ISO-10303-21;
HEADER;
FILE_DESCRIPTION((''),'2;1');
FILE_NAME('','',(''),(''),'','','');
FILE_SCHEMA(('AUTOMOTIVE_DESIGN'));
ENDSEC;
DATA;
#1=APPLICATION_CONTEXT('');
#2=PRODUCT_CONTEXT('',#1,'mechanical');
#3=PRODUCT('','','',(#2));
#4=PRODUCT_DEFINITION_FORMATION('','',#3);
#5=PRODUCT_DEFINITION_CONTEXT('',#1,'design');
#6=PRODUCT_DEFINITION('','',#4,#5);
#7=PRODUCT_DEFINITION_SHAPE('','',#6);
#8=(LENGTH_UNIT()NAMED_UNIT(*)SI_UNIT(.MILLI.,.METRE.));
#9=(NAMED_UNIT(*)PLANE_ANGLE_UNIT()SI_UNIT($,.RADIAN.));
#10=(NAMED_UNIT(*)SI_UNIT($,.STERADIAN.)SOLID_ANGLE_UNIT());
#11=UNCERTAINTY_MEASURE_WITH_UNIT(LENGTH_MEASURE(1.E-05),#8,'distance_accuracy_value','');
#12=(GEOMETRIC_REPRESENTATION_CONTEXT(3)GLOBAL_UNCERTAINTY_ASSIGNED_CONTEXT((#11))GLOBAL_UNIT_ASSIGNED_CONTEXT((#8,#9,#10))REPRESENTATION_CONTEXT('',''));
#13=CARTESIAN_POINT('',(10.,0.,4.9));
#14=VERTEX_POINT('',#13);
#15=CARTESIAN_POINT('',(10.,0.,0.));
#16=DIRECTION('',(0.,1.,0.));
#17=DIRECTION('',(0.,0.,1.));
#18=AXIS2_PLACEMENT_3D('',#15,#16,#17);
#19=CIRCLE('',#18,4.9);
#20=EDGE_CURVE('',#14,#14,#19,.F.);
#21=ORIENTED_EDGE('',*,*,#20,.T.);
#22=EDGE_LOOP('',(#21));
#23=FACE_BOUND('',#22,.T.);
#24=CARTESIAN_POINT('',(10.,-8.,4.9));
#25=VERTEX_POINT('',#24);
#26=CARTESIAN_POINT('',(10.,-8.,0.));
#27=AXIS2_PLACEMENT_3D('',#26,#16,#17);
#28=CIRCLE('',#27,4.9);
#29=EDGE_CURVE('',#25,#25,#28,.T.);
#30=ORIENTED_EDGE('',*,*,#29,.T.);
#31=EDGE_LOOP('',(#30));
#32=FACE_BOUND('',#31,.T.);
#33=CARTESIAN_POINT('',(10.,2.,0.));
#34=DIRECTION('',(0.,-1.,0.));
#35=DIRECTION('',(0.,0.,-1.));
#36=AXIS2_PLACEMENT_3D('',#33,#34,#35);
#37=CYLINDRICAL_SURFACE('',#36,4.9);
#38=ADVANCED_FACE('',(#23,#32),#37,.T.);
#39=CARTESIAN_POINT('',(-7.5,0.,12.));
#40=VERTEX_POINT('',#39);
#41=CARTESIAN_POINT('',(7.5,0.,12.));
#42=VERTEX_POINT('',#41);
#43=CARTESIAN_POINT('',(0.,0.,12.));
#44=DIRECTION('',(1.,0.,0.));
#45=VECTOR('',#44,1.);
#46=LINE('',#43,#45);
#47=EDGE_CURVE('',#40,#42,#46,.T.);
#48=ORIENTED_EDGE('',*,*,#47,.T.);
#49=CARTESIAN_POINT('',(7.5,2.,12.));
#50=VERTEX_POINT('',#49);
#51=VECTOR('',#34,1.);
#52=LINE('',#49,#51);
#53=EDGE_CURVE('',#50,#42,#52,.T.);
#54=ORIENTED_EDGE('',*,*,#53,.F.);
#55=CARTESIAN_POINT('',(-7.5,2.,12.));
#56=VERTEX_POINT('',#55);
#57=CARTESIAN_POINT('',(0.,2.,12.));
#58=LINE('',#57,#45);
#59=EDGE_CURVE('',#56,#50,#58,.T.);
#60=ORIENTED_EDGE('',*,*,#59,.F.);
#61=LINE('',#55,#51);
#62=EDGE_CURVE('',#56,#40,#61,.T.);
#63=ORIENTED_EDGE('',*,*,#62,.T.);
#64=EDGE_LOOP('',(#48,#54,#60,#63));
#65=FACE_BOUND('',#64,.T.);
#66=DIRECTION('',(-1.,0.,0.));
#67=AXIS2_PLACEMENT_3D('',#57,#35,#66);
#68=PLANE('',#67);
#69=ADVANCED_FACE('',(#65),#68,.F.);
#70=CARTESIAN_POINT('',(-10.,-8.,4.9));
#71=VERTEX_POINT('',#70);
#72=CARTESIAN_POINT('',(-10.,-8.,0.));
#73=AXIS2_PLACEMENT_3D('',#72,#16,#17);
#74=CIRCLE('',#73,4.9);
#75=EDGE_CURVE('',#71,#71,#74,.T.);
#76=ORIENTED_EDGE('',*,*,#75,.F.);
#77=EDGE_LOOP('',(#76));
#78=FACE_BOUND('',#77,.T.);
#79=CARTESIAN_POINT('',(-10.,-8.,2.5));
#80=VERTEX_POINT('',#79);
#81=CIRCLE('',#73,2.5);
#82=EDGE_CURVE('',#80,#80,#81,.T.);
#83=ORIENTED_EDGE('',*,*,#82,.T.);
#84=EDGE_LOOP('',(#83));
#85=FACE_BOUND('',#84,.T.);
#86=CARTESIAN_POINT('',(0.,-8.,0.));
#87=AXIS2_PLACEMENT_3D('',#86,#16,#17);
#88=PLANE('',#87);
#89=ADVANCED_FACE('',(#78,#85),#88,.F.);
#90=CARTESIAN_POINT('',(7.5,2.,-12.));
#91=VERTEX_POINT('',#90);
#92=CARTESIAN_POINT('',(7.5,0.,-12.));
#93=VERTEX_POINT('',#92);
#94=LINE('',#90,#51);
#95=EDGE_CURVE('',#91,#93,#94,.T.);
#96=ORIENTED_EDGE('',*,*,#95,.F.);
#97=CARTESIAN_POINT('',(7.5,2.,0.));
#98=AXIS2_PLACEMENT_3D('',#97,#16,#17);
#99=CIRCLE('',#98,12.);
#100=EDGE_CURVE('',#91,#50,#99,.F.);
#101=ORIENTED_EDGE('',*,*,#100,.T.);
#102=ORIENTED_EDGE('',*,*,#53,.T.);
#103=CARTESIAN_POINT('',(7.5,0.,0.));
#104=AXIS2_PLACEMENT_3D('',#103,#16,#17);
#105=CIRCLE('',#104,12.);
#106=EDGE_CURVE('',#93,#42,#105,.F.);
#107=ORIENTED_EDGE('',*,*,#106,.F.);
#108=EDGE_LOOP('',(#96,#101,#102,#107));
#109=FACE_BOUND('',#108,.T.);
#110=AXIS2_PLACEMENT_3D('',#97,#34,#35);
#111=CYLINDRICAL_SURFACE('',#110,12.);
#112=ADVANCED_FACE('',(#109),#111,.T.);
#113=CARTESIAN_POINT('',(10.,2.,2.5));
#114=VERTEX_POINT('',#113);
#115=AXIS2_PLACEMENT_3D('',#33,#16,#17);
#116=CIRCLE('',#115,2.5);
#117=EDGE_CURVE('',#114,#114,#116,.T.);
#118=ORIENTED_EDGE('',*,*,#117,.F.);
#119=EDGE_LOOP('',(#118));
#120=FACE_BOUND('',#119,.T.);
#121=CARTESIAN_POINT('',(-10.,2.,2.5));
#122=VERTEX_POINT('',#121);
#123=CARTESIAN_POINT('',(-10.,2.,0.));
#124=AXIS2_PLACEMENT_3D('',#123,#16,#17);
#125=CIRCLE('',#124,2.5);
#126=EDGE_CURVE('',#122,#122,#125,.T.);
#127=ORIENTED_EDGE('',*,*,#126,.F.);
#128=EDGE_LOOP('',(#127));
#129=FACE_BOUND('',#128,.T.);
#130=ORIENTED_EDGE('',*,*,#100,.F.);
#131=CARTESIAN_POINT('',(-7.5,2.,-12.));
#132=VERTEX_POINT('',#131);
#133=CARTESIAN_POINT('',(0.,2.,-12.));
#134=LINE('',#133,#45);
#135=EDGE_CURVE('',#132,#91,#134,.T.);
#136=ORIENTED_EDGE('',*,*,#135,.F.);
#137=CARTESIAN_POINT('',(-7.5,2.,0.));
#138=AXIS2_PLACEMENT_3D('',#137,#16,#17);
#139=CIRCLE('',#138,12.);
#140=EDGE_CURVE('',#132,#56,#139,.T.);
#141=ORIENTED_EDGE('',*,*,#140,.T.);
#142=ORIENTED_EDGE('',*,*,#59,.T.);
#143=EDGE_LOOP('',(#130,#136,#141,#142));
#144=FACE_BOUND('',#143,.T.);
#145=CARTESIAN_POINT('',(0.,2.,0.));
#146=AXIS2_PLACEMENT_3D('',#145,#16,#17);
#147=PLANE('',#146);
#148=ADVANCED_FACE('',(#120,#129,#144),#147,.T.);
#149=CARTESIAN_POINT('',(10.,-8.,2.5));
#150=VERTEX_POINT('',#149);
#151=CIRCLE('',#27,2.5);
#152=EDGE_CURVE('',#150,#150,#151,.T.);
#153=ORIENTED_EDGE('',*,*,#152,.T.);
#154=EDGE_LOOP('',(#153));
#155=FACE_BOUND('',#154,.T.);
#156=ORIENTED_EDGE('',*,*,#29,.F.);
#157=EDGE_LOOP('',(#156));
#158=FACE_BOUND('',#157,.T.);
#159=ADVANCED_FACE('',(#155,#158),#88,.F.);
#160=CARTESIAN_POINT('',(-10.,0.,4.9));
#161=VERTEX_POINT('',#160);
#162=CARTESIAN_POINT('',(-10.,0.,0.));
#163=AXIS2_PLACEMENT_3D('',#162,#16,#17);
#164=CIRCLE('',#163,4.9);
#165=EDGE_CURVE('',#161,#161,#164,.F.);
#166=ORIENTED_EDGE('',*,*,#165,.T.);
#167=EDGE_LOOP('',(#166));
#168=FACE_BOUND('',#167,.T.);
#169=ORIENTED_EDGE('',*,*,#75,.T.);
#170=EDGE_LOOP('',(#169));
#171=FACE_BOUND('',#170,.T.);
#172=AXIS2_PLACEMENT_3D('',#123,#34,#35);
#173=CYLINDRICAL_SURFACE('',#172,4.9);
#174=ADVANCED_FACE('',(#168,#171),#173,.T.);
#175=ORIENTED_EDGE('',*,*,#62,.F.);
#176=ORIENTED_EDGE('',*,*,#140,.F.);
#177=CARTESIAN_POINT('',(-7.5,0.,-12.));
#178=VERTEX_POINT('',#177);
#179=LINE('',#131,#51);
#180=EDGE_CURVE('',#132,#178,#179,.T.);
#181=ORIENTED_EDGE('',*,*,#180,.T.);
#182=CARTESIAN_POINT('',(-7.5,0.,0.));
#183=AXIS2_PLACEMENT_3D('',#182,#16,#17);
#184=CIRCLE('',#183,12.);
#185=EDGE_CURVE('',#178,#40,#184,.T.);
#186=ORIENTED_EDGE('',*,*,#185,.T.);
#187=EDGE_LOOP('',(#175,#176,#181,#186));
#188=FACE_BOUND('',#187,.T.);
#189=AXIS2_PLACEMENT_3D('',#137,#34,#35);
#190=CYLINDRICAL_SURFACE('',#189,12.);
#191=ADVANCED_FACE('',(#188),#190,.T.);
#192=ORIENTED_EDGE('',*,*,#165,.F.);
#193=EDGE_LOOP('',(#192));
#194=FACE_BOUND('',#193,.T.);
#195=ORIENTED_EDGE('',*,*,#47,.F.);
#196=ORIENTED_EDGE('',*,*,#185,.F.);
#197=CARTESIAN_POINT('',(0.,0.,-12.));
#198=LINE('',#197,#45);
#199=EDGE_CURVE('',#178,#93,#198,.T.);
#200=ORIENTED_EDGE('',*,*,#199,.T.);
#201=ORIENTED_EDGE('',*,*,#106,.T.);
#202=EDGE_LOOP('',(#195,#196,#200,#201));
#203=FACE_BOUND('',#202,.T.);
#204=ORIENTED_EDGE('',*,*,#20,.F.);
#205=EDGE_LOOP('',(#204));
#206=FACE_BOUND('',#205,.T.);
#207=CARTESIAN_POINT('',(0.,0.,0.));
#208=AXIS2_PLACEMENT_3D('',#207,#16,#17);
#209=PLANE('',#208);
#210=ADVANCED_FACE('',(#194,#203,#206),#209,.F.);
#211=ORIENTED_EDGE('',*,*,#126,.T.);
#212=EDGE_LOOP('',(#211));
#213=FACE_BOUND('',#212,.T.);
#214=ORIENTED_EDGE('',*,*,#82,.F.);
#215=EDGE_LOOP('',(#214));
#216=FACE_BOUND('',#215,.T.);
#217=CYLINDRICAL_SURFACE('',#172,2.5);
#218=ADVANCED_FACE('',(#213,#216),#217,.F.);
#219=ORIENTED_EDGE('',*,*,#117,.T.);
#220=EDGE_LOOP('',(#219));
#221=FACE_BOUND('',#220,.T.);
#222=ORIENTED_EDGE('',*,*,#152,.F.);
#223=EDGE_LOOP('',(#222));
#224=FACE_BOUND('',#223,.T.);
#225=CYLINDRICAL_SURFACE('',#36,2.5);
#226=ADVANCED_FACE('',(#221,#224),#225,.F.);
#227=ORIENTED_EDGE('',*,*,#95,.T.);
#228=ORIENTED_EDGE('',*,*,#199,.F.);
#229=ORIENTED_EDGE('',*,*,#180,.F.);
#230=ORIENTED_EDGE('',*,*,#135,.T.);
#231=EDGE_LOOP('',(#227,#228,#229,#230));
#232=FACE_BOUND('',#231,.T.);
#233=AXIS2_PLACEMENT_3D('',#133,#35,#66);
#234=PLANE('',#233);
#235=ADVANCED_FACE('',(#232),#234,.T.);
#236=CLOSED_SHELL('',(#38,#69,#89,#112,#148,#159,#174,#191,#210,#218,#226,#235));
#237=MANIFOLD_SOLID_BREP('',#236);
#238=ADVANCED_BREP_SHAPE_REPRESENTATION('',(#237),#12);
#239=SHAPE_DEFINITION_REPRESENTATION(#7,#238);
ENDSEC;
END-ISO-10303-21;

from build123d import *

# Parameters (mm, degrees)
SKETCH1_R                  = 4.9
BOSS_EXTRUDE1_DEPTH        = 2
BOSS_EXTRUDE2_DEPTH        = 2
BOSS_EXTRUDE2_DEPTH_BACK   = 8
SKETCH1_3_R                = 4.9
SKETCH1_3_R_2              = 2.5
BOSS_EXTRUDE2_2_DEPTH      = 2
BOSS_EXTRUDE2_2_DEPTH_BACK = 8
SKETCH2_R                  = 5.756408641
SKETCH2_R_2                = 3.886057863
SKETCH2_R_3                = 6.078413945
SKETCH2_R_4                = 3.85710511
BOSS_EXTRUDE3_DEPTH        = 2


with BuildPart() as part:
    # Sketch1 → Boss-Extrude1 (new body)
    with BuildSketch(Plane(origin=(0, 0, 0), x_dir=(1, 0, 0), z_dir=(0, 1, 0))):
        with BuildLine():
            Line((7.5, 12), (-7.5, 12))
            ThreePointArc((-7.5, 12), (-19.5, 0), (-7.5, -12))
            Line((-7.5, -12), (7.5, -12))
            ThreePointArc((7.5, -12), (19.5, 0), (7.5, 12))
        make_face()
        with Locations((-10, 0)):
            Circle(SKETCH1_R, mode=Mode.SUBTRACT)
        with Locations((10, 0)):
            Circle(SKETCH1_R, mode=Mode.SUBTRACT)
    extrude(amount=BOSS_EXTRUDE1_DEPTH)



with BuildPart() as body_2:
    # Sketch1<3> → Boss-Extrude2 (new, two sides: drawn at the far end of the back side and taken through both)
    with BuildSketch(Plane(origin=(0, 0, 0), x_dir=(1, 0, 0), z_dir=(0, 1, 0)).offset(-BOSS_EXTRUDE2_DEPTH_BACK)):
        with Locations((-10, 0)):
            Circle(SKETCH1_3_R)
        with Locations((-10, 0)):
            Circle(SKETCH1_3_R_2, mode=Mode.SUBTRACT)
    extrude(amount=BOSS_EXTRUDE2_DEPTH + BOSS_EXTRUDE2_DEPTH_BACK)


with BuildPart() as body_3:
    # Sketch1<3> → Boss-Extrude2 2 (new, two sides: drawn at the far end of the back side and taken through both)
    with BuildSketch(Plane(origin=(0, 0, 0), x_dir=(1, 0, 0), z_dir=(0, 1, 0)).offset(-BOSS_EXTRUDE2_2_DEPTH_BACK)):
        with Locations((10, 0)):
            Circle(SKETCH1_3_R)
        with Locations((10, 0)):
            Circle(SKETCH1_3_R_2, mode=Mode.SUBTRACT)
    extrude(amount=BOSS_EXTRUDE2_2_DEPTH + BOSS_EXTRUDE2_2_DEPTH_BACK)


with BuildPart() as part_1:
    add(part.part)

    add(body_2.part)  # Boss-Extrude3 merges body 2

    add(body_3.part)  # Boss-Extrude3 merges body 3
    # Sketch2 → Boss-Extrude3 (add)
    # profile 1 of 2: a face of its own
    with BuildSketch(Plane(origin=(0, 2, 0), x_dir=(1, 0, 0), z_dir=(0, 1, 0))):
        with Locations((-10, 0)):
            Circle(SKETCH2_R)
        with Locations((-10, 0)):
            Circle(SKETCH2_R_2, mode=Mode.SUBTRACT)
    # profile 2 of 2: a face of its own
    with BuildSketch(Plane(origin=(0, 2, 0), x_dir=(1, 0, 0), z_dir=(0, 1, 0))):
        with Locations((10, 0)):
            Circle(SKETCH2_R_3)
        with Locations((10, 0)):
            Circle(SKETCH2_R_4, mode=Mode.SUBTRACT)
    extrude(amount=-BOSS_EXTRUDE3_DEPTH)


solid = part_1.part
